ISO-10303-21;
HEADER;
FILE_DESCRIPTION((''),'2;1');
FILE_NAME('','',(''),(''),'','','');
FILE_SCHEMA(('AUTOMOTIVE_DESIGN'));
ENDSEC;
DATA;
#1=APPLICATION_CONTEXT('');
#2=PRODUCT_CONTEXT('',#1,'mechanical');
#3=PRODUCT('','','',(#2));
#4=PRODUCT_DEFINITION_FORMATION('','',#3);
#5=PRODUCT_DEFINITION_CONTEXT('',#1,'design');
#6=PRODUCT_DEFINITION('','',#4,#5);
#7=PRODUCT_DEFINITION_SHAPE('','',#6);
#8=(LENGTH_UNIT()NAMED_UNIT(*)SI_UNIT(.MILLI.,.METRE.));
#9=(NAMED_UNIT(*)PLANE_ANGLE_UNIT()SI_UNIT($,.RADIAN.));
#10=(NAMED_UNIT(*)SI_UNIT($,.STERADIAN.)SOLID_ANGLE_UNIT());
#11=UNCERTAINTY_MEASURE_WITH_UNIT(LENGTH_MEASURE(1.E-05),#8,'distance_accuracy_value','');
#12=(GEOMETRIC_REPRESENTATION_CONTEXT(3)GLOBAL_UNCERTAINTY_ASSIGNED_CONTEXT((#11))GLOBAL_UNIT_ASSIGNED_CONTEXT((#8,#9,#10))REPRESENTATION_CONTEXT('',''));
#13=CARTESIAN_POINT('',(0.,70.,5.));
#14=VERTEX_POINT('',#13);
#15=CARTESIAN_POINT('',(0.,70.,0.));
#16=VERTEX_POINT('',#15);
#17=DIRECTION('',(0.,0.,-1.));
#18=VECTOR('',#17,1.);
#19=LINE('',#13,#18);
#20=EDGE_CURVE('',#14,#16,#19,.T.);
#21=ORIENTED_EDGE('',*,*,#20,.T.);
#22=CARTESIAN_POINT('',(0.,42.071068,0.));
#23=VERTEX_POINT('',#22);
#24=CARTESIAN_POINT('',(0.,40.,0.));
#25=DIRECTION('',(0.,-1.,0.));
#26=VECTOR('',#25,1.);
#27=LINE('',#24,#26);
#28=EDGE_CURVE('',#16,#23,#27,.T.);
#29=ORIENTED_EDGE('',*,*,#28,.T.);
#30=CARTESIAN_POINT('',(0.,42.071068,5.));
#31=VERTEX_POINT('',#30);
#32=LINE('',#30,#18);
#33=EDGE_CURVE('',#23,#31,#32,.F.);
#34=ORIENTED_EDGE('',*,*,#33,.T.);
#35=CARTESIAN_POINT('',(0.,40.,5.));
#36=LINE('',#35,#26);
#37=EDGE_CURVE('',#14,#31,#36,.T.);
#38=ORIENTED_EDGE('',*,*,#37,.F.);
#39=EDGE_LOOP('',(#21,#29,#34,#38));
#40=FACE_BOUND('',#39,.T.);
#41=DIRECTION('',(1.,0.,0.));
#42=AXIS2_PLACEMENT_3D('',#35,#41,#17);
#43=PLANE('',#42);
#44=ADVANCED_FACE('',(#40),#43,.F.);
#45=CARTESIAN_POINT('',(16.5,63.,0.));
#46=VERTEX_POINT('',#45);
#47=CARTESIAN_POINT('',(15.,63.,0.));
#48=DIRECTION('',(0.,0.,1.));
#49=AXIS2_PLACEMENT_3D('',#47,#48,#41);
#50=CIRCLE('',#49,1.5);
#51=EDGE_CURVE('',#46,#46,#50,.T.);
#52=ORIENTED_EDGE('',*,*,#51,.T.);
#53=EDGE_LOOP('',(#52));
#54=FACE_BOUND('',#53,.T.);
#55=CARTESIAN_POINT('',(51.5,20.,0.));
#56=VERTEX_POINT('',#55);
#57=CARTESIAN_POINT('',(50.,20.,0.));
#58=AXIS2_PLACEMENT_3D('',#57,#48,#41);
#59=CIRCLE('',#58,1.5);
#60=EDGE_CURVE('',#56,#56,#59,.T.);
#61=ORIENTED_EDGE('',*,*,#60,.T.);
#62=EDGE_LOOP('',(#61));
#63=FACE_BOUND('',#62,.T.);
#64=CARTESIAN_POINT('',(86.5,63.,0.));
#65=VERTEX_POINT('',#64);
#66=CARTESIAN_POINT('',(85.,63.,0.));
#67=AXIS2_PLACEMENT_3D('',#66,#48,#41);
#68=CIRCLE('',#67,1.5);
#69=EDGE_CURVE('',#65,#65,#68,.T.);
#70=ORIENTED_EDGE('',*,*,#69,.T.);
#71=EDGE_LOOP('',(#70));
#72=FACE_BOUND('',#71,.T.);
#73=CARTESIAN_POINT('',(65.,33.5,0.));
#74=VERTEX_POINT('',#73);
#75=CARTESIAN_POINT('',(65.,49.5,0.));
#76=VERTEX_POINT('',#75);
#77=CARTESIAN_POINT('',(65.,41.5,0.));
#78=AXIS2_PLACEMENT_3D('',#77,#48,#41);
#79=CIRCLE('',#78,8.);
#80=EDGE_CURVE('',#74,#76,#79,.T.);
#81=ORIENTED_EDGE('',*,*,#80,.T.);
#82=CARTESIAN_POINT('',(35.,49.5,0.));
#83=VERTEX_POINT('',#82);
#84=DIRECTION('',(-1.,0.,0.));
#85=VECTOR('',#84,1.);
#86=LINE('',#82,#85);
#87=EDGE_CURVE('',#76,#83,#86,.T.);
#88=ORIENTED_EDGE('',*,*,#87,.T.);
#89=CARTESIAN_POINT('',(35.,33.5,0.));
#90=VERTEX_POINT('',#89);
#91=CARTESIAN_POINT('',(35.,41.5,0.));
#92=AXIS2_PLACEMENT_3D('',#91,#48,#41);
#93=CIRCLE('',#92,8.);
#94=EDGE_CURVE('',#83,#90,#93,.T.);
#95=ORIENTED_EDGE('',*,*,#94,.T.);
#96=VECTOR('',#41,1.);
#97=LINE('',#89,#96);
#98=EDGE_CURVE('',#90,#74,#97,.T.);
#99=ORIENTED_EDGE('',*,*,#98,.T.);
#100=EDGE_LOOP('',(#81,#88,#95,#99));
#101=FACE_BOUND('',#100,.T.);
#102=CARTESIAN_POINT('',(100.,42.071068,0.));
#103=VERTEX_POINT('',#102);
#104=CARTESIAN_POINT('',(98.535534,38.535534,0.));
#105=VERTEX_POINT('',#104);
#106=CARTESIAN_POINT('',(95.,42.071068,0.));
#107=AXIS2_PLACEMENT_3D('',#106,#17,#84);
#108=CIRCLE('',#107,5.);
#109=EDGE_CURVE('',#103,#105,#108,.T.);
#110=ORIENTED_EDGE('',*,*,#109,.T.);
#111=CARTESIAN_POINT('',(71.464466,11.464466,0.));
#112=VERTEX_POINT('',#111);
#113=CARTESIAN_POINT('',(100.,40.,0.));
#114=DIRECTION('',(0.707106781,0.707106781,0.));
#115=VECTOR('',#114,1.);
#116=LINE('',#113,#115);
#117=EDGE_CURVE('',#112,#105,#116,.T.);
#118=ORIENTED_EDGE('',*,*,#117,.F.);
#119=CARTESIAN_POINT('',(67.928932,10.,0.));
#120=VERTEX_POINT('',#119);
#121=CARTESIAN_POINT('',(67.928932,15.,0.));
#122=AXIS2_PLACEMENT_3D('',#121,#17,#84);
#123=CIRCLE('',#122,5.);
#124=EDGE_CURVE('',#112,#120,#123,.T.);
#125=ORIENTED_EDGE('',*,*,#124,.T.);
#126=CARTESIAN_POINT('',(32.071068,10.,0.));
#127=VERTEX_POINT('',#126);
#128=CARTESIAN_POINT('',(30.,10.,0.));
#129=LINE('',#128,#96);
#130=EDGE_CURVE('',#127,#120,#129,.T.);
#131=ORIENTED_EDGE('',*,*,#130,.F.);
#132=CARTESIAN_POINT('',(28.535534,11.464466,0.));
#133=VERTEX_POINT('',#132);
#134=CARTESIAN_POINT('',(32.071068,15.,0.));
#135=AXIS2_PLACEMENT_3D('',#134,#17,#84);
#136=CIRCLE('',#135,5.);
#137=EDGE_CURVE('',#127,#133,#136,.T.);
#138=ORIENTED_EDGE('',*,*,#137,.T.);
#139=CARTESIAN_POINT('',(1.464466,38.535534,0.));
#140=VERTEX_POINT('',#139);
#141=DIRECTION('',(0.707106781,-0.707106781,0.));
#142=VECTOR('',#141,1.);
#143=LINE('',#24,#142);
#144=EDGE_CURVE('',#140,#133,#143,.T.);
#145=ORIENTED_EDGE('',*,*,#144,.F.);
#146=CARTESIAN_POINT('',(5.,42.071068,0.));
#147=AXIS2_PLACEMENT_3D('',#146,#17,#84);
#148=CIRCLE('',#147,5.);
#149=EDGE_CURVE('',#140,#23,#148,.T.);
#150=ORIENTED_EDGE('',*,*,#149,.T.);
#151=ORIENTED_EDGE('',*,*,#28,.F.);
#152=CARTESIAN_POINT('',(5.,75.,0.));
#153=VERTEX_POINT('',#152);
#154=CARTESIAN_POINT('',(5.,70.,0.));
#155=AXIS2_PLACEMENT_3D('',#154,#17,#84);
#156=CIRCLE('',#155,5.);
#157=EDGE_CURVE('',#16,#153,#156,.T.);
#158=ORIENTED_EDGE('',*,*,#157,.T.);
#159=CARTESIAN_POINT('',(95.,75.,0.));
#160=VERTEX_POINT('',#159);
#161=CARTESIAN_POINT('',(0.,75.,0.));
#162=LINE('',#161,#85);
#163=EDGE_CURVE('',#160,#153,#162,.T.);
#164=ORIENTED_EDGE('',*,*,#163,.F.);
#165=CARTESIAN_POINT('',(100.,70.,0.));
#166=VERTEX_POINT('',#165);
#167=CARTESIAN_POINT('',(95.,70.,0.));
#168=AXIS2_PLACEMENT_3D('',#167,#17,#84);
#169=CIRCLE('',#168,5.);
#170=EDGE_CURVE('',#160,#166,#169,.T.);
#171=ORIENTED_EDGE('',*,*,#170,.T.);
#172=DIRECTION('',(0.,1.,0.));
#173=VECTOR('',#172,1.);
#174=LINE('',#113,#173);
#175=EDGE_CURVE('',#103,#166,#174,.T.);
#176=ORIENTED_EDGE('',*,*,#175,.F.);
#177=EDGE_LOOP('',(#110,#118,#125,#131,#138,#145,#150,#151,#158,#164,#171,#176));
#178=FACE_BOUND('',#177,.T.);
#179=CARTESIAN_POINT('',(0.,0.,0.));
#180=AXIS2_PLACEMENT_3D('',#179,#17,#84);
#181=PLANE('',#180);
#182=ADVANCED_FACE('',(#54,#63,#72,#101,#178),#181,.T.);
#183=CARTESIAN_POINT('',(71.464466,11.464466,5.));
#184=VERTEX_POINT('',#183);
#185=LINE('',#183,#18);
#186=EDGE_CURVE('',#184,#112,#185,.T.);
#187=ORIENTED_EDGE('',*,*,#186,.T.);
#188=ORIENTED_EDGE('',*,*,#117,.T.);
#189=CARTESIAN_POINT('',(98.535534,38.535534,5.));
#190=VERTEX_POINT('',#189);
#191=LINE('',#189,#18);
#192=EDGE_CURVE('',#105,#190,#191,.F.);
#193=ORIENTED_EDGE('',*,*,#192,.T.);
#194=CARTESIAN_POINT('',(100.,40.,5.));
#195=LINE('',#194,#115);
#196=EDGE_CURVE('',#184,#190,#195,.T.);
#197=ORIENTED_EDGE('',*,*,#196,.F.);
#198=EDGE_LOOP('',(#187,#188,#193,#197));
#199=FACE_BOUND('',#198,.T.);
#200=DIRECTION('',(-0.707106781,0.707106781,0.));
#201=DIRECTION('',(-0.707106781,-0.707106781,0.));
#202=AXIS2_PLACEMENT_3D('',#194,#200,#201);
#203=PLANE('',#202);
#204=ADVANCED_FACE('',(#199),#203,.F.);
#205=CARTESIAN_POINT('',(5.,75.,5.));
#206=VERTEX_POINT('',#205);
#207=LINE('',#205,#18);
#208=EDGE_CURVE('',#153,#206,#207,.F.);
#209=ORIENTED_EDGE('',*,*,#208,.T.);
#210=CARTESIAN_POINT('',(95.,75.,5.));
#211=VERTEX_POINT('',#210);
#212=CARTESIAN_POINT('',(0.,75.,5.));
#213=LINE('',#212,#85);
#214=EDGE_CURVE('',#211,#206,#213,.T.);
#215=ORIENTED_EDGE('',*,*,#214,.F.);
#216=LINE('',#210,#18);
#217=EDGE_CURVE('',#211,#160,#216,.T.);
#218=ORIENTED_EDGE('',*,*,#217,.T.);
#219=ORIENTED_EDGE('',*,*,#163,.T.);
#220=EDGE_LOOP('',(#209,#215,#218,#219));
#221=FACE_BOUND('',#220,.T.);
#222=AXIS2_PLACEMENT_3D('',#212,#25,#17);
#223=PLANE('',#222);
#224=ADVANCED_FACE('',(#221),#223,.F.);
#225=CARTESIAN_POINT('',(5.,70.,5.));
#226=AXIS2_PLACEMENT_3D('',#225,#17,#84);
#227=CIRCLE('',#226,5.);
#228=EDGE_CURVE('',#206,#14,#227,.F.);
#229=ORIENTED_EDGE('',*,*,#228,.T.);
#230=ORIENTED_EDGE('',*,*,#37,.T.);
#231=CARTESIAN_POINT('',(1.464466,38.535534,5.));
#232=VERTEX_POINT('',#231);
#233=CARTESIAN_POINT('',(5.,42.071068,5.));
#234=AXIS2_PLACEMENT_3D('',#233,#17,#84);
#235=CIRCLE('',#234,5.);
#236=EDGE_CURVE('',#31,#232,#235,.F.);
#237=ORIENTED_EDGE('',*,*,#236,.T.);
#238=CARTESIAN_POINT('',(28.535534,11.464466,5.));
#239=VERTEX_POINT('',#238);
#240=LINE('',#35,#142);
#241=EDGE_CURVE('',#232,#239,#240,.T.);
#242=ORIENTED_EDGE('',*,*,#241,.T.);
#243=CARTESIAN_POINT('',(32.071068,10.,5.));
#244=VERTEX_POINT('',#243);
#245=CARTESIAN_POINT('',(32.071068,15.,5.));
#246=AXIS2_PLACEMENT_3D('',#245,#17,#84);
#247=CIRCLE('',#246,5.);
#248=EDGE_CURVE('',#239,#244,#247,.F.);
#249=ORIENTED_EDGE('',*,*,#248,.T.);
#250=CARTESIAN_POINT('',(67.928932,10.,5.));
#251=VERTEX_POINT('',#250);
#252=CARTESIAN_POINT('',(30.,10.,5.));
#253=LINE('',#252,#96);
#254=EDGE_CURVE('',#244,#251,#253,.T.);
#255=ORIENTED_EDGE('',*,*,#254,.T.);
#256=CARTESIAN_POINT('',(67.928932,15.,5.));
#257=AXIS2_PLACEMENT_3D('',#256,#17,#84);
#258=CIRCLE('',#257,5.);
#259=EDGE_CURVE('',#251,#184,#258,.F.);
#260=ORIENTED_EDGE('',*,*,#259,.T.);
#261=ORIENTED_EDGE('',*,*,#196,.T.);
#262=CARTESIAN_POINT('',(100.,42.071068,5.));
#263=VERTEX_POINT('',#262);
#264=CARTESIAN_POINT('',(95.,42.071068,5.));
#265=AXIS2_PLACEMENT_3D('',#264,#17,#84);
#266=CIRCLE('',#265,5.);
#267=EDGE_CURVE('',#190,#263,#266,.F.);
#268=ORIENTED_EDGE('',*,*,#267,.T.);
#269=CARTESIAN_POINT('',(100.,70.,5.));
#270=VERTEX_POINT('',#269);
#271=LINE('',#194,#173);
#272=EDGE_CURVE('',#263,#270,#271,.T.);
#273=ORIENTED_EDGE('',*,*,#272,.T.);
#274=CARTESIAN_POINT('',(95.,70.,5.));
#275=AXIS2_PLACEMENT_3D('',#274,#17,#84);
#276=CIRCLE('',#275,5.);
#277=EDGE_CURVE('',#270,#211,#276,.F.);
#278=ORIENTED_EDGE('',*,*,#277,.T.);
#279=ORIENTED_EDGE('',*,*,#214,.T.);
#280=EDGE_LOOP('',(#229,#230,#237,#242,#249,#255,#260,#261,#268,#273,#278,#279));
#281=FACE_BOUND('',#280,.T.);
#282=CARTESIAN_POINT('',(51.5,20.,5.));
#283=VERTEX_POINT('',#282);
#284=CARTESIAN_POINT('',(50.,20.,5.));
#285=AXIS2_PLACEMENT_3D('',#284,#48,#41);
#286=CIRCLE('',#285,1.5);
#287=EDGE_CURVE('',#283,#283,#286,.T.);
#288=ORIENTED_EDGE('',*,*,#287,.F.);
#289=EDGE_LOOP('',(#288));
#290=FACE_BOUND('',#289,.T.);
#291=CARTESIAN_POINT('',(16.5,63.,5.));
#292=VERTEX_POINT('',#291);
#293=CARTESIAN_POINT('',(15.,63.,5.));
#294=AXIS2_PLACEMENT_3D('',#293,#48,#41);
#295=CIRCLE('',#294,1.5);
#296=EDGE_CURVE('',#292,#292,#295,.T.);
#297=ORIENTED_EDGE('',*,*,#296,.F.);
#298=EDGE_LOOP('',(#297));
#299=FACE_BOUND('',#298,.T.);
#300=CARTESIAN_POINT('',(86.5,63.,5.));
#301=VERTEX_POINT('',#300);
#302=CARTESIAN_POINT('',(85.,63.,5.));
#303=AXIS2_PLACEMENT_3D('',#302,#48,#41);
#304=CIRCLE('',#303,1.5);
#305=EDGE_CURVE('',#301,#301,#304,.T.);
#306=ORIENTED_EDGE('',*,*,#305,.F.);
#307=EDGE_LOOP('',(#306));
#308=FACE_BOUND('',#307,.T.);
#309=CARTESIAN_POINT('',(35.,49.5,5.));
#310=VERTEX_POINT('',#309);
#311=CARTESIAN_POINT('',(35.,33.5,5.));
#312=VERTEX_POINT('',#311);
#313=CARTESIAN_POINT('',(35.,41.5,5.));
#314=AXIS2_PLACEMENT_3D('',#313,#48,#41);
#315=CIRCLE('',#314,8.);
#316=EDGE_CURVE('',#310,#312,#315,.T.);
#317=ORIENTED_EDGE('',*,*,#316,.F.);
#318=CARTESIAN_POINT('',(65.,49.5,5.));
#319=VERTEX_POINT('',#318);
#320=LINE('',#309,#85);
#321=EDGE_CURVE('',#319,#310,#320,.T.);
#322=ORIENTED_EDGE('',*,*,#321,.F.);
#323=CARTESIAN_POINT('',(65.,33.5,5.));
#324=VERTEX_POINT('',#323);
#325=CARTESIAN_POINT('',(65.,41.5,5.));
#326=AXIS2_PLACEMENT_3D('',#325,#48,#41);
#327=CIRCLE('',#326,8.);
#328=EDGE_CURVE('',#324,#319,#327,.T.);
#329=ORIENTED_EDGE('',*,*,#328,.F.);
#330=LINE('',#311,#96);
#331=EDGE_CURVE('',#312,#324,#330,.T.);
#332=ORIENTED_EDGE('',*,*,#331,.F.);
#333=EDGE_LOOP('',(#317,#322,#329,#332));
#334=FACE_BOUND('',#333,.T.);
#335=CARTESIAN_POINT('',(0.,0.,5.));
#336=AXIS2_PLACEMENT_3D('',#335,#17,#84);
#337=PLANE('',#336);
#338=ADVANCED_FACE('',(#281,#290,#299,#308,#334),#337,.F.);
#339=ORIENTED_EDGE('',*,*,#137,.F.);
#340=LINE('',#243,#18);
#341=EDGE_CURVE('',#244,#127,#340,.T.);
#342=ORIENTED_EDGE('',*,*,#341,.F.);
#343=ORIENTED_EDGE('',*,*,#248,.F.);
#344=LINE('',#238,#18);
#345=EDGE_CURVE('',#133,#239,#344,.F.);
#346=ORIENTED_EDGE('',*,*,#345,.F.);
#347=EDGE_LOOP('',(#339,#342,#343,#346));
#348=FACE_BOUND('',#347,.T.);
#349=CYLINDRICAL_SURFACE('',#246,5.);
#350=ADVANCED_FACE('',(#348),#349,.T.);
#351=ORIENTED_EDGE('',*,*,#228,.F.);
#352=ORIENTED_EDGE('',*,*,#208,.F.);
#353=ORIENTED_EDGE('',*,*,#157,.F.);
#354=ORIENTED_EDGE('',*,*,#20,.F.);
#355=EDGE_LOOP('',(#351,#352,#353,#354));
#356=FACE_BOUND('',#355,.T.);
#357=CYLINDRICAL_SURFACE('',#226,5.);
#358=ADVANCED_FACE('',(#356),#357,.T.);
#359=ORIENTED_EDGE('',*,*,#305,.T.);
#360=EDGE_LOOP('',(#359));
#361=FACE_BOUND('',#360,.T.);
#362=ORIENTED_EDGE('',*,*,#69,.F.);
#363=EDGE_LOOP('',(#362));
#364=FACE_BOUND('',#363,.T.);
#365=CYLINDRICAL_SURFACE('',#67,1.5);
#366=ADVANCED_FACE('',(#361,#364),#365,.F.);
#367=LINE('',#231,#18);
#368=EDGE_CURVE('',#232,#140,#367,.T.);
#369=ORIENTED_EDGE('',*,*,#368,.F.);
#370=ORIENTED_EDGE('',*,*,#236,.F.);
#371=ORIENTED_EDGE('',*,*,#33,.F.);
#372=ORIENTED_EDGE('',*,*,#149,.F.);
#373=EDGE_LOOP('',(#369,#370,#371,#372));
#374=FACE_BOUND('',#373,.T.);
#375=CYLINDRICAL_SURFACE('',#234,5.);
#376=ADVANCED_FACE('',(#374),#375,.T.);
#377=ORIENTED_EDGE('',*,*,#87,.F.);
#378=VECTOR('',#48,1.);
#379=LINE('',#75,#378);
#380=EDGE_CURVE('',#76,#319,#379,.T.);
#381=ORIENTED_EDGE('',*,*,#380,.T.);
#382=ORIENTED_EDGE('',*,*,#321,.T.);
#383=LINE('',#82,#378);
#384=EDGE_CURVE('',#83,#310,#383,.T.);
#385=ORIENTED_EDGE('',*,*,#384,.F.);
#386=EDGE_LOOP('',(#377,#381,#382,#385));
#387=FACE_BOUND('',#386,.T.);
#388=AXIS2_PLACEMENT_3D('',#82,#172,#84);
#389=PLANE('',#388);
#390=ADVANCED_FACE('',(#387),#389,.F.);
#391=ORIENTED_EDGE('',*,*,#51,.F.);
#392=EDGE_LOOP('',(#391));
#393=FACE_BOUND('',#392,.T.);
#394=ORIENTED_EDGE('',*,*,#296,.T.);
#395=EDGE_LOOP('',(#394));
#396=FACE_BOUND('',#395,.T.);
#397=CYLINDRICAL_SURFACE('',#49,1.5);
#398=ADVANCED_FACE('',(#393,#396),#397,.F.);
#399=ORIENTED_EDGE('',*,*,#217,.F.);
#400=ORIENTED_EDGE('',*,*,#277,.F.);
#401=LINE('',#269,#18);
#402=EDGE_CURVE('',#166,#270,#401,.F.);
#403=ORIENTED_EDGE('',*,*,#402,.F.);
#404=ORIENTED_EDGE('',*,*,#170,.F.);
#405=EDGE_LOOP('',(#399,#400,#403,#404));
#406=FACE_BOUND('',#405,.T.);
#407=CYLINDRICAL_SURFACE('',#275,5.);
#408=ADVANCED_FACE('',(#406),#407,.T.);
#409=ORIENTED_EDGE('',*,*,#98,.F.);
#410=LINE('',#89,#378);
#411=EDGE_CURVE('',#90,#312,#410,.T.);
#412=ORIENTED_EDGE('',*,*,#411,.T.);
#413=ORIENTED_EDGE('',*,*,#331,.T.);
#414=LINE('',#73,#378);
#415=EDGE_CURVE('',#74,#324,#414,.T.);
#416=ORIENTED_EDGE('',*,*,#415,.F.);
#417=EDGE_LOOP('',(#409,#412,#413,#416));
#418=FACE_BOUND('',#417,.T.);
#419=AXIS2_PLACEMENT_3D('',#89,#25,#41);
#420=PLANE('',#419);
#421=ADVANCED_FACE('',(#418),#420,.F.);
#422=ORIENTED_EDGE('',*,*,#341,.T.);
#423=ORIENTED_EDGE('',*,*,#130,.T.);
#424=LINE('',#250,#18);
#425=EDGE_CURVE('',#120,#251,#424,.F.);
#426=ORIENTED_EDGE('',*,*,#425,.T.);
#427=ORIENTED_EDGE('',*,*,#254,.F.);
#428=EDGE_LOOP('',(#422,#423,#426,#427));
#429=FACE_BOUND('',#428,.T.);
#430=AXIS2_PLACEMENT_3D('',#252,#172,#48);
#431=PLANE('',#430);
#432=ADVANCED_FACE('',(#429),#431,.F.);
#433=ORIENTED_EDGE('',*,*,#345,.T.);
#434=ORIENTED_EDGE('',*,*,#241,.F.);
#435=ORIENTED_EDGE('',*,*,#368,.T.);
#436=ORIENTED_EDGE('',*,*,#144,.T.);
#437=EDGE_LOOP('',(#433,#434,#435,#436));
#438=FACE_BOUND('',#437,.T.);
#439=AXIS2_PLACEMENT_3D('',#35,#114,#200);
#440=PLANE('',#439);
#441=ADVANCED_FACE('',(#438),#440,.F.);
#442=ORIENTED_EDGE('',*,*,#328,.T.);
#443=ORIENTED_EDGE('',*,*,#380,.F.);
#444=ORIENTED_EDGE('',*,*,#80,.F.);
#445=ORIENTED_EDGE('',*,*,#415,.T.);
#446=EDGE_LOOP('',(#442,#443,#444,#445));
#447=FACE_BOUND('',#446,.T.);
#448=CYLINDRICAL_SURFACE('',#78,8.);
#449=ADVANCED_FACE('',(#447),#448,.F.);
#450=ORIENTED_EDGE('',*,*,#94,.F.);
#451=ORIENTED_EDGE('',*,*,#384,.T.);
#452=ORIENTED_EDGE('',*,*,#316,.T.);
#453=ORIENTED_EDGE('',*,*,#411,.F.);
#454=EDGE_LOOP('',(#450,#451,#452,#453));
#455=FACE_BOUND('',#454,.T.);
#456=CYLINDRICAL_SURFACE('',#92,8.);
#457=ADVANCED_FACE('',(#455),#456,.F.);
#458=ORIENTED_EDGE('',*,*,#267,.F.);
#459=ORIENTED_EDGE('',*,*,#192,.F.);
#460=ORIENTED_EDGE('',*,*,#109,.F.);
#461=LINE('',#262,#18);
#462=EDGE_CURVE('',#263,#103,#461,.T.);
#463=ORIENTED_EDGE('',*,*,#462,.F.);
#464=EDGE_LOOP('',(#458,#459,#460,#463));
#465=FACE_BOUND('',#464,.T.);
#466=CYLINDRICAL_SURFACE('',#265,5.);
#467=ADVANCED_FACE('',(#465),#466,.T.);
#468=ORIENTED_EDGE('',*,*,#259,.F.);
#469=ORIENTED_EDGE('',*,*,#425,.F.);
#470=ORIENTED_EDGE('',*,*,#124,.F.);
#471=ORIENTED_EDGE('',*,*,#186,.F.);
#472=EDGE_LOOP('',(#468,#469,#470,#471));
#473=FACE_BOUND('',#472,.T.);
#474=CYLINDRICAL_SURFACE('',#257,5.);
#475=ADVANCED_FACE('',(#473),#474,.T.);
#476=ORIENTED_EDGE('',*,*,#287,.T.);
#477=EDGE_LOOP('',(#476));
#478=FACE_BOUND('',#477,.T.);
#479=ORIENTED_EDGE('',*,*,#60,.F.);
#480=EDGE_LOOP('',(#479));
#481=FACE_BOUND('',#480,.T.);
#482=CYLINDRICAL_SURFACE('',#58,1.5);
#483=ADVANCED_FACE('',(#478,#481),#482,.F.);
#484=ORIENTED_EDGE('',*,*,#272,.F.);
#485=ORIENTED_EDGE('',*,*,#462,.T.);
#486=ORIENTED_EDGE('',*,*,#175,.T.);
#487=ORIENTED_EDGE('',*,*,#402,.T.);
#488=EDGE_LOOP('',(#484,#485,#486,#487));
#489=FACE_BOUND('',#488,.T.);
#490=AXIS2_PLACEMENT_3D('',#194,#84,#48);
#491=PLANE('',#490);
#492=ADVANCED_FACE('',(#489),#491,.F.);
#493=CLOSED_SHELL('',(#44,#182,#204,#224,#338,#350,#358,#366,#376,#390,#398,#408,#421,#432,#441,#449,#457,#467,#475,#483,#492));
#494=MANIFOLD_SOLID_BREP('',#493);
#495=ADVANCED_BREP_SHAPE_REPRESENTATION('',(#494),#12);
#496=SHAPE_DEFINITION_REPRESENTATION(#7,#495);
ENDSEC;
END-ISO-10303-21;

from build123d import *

# Parameters (mm, degrees)
BOSS_EXTRUDE1_DEPTH = 5
SKETCH3_R           = 1.5
CUT_EXTRUDE3_DEPTH  = 126.099960032
FILLET1_R           = 5
FILLET2_R           = 5
FILLET3_R           = 5
FILLET4_R           = 5
FILLET5_R           = 5
FILLET6_R           = 5


with BuildPart() as part:
    # Sketch1 → Boss-Extrude1 (new body)
    with BuildSketch(Plane.XY):
        Polygon((0, 40), (30, 10), (70, 10), (100, 40), (100, 75), (0, 75), align=None)
    extrude(amount=BOSS_EXTRUDE1_DEPTH)

    # Sketch3 → Cut-Extrude3 (cut, through all)
    with BuildSketch(Plane.XY.offset(5)):
        with Locations((50, 20)):
            Circle(SKETCH3_R)
        with Locations((85, 63)):
            Circle(SKETCH3_R)
        with Locations((15, 63)):
            Circle(SKETCH3_R)
        with BuildLine():
            Line((35, 49.5), (65, 49.5))
            ThreePointArc((65, 49.5), (73, 41.5), (65, 33.5))
            Line((65, 33.5), (35, 33.5))
            ThreePointArc((35, 33.5), (27, 41.5), (35, 49.5))
        make_face()
    extrude(amount=-CUT_EXTRUDE3_DEPTH, mode=Mode.SUBTRACT)

    # Fillet1
    fillet1_edges = [part.edges().sort_by_distance(p)[0] for p in [
        (0, 40, 2.5),
    ]]
    fillet(fillet1_edges, radius=FILLET1_R)

    # Fillet2
    fillet2_edges = [part.edges().sort_by_distance(p)[0] for p in [
        (100, 40, 2.5),
    ]]
    fillet(fillet2_edges, radius=FILLET2_R)

    # Fillet3
    fillet3_edges = [part.edges().sort_by_distance(p)[0] for p in [
        (70, 10, 2.5),
    ]]
    fillet(fillet3_edges, radius=FILLET3_R)

    # Fillet4
    fillet4_edges = [part.edges().sort_by_distance(p)[0] for p in [
        (30, 10, 2.5),
    ]]
    fillet(fillet4_edges, radius=FILLET4_R)

    # Fillet5
    fillet5_edges = [part.edges().sort_by_distance(p)[0] for p in [
        (100, 75, 2.5),
    ]]
    fillet(fillet5_edges, radius=FILLET5_R)

    # Fillet6
    fillet6_edges = [part.edges().sort_by_distance(p)[0] for p in [
        (0, 75, 2.5),
    ]]
    fillet(fillet6_edges, radius=FILLET6_R)


solid = part.part
